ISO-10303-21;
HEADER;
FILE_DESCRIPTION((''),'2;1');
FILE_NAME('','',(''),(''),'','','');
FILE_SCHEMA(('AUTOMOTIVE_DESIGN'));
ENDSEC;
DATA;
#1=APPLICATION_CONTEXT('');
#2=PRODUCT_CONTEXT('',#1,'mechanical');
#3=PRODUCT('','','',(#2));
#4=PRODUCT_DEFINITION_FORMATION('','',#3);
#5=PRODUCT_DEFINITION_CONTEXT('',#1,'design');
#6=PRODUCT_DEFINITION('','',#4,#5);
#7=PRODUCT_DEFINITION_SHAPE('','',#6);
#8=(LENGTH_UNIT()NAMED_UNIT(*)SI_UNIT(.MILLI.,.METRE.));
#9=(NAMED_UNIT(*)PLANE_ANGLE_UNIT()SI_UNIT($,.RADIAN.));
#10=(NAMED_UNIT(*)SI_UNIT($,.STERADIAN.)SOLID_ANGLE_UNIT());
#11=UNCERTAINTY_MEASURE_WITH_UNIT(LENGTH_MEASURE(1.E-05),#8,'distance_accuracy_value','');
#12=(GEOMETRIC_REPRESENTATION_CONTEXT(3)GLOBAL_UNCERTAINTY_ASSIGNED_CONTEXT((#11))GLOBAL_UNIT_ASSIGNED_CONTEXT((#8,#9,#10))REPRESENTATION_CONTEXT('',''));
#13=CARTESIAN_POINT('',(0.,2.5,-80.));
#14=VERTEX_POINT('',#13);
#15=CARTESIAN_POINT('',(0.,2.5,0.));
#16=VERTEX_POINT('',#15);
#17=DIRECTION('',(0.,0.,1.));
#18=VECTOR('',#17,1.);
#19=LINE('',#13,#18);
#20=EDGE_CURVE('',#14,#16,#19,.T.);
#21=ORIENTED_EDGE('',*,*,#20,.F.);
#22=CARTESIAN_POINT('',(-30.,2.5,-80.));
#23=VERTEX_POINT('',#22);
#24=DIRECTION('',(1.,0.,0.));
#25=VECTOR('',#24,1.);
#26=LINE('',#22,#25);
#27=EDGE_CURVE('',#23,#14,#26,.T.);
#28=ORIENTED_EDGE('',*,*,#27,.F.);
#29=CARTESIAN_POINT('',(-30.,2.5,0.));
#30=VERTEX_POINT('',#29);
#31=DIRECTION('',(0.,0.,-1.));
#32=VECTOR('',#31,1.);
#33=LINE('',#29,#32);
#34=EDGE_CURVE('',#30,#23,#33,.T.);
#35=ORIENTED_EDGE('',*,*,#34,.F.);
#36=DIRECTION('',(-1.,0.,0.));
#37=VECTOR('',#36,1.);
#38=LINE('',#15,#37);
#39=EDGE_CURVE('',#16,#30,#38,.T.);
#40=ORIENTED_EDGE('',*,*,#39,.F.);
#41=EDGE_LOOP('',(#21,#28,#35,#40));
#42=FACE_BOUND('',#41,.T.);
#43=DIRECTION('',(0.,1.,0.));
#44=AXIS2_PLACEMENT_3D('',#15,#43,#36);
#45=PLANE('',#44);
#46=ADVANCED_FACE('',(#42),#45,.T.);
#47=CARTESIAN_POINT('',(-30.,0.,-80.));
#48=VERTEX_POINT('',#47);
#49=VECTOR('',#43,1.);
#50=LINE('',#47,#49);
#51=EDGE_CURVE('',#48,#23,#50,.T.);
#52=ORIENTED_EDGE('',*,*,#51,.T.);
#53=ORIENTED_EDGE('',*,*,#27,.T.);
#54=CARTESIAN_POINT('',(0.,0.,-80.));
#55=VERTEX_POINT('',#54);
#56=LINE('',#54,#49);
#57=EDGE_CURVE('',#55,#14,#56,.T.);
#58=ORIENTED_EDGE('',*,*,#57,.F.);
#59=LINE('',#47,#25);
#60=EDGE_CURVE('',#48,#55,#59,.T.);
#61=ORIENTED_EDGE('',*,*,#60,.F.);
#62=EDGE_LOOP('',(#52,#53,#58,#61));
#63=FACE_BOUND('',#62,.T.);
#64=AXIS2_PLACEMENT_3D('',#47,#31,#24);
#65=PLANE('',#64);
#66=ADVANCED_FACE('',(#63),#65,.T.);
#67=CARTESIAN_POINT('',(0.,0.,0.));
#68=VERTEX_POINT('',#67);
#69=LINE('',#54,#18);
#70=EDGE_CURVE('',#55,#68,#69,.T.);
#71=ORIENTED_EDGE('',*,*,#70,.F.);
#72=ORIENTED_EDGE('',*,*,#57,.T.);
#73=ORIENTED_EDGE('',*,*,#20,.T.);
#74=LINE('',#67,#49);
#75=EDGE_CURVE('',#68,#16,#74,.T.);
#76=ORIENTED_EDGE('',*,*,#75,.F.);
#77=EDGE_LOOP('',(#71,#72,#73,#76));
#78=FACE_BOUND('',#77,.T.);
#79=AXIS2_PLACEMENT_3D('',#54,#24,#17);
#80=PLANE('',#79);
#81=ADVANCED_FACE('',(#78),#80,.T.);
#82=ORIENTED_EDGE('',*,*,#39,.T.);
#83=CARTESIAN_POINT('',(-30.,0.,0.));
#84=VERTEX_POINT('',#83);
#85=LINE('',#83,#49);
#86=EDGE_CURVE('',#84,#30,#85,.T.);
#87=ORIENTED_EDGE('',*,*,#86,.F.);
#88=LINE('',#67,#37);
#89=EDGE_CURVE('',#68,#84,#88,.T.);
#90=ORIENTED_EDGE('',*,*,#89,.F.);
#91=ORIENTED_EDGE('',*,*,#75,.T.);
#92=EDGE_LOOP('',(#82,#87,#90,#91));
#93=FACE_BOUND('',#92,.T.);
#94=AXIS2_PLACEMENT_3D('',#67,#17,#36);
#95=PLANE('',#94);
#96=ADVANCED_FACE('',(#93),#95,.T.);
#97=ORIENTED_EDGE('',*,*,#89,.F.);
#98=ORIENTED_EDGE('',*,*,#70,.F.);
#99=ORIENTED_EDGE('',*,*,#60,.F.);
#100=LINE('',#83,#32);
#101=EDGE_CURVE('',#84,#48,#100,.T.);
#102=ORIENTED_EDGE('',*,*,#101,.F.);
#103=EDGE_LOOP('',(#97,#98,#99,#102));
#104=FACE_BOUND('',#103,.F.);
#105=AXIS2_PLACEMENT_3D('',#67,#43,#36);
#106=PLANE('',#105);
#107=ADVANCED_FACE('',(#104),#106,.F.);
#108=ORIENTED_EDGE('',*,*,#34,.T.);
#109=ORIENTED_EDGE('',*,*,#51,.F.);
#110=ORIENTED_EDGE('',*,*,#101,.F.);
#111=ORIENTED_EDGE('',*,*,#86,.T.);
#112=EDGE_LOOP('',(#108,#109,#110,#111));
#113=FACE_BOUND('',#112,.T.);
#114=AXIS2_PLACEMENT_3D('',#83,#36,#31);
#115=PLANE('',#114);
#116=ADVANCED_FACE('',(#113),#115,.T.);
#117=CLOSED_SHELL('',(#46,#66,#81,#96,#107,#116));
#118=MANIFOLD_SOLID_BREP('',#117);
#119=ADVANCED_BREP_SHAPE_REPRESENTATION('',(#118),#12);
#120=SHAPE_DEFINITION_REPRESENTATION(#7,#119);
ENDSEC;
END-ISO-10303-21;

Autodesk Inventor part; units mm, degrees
ref_plane "YZ Plane" through (0, 0, 0) normal (1, 0, 0) x (0, 1, 0)
ref_plane "XZ Plane" through (0, 0, 0) normal (0, 1, 0) x (-1, 0, 0)
ref_plane "XY Plane" through (0, 0, 0) normal (0, 0, 1) x (1, 0, 0)
sketch "Sketch1" plane through (0, 0, 0) normal (0, 1, 0) x (-1, 0, 0)
  line L0 (0, 0) -> (30, 0)
  line L1 (30, 0) -> (30, -80)
  line L2 (30, -80) -> (0, -80)
  line L3 (0, -80) -> (0, 0)
  dimension "d0" = 30
  dimension "d1" = 80
extrude "Extrusion1" add sketch "Sketch1" along normal blind 2.5
properties part number "Insertion_Slot_V2"
